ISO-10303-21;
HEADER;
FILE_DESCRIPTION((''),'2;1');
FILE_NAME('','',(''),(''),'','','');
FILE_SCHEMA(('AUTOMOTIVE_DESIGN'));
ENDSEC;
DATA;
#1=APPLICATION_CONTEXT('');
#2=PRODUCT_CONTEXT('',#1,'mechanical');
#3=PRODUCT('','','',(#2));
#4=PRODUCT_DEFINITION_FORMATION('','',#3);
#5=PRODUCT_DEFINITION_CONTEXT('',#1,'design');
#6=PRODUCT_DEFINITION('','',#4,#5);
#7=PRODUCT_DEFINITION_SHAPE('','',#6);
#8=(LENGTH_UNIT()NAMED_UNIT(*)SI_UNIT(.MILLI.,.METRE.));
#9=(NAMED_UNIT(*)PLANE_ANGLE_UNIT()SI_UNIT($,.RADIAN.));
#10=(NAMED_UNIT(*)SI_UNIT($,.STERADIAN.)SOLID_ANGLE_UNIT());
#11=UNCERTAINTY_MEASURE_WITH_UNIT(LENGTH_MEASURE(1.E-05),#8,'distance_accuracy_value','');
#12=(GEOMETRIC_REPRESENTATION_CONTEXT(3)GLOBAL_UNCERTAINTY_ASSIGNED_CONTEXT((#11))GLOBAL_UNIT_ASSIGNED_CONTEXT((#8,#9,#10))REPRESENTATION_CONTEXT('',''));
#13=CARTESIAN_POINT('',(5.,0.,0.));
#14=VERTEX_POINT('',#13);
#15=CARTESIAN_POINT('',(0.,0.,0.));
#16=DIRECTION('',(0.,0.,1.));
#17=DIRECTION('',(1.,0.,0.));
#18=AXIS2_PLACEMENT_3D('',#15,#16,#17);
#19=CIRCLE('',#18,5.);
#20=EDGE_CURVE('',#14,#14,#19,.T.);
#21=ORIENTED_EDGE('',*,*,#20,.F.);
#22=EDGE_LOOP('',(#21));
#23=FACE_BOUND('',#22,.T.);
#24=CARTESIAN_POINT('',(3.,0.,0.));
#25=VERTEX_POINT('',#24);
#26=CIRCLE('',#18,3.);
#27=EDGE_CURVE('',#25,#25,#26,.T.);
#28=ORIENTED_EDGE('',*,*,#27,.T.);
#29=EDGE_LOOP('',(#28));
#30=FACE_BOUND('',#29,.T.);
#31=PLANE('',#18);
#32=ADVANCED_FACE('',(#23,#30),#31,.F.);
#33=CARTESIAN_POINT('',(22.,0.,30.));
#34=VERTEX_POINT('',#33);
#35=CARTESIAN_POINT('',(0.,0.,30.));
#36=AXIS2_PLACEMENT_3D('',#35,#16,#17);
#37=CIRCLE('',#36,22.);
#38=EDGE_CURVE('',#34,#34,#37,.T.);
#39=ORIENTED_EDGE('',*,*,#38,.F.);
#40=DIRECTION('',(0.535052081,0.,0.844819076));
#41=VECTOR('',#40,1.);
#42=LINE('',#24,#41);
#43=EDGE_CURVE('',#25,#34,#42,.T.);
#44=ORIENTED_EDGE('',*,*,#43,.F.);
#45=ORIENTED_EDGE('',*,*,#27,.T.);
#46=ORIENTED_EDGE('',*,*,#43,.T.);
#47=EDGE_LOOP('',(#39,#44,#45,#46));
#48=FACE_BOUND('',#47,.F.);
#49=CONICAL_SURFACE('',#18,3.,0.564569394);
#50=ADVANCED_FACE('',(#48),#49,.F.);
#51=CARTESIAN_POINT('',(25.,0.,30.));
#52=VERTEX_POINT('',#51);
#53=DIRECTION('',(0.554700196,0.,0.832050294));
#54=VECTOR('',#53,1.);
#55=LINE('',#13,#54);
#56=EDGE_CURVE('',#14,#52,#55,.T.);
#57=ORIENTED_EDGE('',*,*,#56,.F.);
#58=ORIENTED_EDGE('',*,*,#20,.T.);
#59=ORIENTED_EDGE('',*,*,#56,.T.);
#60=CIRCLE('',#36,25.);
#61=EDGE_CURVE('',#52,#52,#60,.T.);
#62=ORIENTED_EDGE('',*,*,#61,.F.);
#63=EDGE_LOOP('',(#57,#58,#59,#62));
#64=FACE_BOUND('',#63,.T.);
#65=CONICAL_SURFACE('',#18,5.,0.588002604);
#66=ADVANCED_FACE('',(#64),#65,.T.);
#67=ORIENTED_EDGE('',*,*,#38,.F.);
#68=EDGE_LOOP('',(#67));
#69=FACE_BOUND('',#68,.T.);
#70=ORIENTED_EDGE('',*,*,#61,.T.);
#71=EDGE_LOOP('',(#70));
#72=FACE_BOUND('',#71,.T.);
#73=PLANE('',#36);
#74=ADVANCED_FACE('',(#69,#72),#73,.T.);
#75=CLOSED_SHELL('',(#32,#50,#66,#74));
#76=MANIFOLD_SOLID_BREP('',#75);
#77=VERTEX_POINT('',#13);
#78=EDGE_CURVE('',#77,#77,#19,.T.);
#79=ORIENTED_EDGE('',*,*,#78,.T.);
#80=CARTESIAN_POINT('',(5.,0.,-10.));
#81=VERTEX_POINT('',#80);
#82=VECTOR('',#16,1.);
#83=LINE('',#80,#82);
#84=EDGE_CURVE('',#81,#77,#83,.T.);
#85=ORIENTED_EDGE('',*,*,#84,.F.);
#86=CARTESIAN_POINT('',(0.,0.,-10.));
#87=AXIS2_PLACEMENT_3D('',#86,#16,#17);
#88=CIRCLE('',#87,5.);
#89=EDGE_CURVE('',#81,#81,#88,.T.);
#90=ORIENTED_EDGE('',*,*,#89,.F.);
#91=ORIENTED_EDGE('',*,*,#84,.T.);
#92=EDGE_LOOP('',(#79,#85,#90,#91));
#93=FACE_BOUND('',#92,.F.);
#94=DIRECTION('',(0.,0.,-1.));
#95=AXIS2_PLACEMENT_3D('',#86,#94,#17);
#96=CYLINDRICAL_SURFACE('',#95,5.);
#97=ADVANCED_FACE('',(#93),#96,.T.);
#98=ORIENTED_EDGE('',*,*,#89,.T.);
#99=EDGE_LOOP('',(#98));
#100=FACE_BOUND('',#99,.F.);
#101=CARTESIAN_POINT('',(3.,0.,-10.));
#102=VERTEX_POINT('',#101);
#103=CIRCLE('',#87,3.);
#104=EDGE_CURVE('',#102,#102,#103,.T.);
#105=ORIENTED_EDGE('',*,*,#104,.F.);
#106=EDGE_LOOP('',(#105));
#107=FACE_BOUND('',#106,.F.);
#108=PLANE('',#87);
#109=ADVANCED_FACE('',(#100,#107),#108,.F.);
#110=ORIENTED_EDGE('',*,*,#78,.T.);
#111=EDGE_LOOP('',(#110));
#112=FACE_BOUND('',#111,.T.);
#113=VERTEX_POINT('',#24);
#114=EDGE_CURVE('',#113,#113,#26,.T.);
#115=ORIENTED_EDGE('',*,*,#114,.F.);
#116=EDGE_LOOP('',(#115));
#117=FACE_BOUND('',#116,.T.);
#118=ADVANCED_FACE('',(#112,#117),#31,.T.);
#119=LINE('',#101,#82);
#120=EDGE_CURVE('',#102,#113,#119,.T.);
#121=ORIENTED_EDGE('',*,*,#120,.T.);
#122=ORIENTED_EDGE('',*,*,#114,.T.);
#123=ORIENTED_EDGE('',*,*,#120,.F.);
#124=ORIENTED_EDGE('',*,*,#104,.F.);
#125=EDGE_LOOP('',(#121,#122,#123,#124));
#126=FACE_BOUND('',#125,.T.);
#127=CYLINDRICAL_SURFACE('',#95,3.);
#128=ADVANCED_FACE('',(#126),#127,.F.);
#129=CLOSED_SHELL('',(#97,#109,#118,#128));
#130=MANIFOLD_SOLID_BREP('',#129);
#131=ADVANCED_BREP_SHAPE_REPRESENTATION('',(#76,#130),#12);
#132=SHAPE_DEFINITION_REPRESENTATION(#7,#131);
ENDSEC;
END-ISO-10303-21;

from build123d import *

# Parameters (mm, degrees)
CYLINDER001_R     = 3
CYLINDER001_DEPTH = 10
CYLINDER_R        = 5
CYLINDER_DEPTH    = 10


with BuildPart() as cono001:
    # Cone001 → Cone001 (revolve)
    with BuildSketch(Plane.XZ):
        Polygon((0, 0), (3, 0), (22, 30), (0, 30), align=None)
    revolve(axis=Axis((0, 0, 0), (0, 0, 1)))


with BuildPart() as cut:
    # Cone → Cone (revolve)
    with BuildSketch(Plane.XZ):
        Polygon((0, 0), (5, 0), (25, 30), (0, 30), align=None)
    revolve(axis=Axis((0, 0, 0), (0, 0, 1)))

    # Cut: cut Cono001
    add(cono001.part, mode=Mode.SUBTRACT)


with BuildPart() as cilindro001:
    # Cylinder001 → Cylinder001 (new body)
    with BuildSketch(Plane.XY.offset(-10)):
        Circle(CYLINDER001_R)
    extrude(amount=CYLINDER001_DEPTH)


with BuildPart() as cut001:
    # Cylinder → Cylinder (new body)
    with BuildSketch(Plane.XY.offset(-10)):
        Circle(CYLINDER_R)
    extrude(amount=CYLINDER_DEPTH)

    # Cut001: cut Cilindro001
    add(cilindro001.part, mode=Mode.SUBTRACT)


solid = Compound([cut.part, cut001.part])
